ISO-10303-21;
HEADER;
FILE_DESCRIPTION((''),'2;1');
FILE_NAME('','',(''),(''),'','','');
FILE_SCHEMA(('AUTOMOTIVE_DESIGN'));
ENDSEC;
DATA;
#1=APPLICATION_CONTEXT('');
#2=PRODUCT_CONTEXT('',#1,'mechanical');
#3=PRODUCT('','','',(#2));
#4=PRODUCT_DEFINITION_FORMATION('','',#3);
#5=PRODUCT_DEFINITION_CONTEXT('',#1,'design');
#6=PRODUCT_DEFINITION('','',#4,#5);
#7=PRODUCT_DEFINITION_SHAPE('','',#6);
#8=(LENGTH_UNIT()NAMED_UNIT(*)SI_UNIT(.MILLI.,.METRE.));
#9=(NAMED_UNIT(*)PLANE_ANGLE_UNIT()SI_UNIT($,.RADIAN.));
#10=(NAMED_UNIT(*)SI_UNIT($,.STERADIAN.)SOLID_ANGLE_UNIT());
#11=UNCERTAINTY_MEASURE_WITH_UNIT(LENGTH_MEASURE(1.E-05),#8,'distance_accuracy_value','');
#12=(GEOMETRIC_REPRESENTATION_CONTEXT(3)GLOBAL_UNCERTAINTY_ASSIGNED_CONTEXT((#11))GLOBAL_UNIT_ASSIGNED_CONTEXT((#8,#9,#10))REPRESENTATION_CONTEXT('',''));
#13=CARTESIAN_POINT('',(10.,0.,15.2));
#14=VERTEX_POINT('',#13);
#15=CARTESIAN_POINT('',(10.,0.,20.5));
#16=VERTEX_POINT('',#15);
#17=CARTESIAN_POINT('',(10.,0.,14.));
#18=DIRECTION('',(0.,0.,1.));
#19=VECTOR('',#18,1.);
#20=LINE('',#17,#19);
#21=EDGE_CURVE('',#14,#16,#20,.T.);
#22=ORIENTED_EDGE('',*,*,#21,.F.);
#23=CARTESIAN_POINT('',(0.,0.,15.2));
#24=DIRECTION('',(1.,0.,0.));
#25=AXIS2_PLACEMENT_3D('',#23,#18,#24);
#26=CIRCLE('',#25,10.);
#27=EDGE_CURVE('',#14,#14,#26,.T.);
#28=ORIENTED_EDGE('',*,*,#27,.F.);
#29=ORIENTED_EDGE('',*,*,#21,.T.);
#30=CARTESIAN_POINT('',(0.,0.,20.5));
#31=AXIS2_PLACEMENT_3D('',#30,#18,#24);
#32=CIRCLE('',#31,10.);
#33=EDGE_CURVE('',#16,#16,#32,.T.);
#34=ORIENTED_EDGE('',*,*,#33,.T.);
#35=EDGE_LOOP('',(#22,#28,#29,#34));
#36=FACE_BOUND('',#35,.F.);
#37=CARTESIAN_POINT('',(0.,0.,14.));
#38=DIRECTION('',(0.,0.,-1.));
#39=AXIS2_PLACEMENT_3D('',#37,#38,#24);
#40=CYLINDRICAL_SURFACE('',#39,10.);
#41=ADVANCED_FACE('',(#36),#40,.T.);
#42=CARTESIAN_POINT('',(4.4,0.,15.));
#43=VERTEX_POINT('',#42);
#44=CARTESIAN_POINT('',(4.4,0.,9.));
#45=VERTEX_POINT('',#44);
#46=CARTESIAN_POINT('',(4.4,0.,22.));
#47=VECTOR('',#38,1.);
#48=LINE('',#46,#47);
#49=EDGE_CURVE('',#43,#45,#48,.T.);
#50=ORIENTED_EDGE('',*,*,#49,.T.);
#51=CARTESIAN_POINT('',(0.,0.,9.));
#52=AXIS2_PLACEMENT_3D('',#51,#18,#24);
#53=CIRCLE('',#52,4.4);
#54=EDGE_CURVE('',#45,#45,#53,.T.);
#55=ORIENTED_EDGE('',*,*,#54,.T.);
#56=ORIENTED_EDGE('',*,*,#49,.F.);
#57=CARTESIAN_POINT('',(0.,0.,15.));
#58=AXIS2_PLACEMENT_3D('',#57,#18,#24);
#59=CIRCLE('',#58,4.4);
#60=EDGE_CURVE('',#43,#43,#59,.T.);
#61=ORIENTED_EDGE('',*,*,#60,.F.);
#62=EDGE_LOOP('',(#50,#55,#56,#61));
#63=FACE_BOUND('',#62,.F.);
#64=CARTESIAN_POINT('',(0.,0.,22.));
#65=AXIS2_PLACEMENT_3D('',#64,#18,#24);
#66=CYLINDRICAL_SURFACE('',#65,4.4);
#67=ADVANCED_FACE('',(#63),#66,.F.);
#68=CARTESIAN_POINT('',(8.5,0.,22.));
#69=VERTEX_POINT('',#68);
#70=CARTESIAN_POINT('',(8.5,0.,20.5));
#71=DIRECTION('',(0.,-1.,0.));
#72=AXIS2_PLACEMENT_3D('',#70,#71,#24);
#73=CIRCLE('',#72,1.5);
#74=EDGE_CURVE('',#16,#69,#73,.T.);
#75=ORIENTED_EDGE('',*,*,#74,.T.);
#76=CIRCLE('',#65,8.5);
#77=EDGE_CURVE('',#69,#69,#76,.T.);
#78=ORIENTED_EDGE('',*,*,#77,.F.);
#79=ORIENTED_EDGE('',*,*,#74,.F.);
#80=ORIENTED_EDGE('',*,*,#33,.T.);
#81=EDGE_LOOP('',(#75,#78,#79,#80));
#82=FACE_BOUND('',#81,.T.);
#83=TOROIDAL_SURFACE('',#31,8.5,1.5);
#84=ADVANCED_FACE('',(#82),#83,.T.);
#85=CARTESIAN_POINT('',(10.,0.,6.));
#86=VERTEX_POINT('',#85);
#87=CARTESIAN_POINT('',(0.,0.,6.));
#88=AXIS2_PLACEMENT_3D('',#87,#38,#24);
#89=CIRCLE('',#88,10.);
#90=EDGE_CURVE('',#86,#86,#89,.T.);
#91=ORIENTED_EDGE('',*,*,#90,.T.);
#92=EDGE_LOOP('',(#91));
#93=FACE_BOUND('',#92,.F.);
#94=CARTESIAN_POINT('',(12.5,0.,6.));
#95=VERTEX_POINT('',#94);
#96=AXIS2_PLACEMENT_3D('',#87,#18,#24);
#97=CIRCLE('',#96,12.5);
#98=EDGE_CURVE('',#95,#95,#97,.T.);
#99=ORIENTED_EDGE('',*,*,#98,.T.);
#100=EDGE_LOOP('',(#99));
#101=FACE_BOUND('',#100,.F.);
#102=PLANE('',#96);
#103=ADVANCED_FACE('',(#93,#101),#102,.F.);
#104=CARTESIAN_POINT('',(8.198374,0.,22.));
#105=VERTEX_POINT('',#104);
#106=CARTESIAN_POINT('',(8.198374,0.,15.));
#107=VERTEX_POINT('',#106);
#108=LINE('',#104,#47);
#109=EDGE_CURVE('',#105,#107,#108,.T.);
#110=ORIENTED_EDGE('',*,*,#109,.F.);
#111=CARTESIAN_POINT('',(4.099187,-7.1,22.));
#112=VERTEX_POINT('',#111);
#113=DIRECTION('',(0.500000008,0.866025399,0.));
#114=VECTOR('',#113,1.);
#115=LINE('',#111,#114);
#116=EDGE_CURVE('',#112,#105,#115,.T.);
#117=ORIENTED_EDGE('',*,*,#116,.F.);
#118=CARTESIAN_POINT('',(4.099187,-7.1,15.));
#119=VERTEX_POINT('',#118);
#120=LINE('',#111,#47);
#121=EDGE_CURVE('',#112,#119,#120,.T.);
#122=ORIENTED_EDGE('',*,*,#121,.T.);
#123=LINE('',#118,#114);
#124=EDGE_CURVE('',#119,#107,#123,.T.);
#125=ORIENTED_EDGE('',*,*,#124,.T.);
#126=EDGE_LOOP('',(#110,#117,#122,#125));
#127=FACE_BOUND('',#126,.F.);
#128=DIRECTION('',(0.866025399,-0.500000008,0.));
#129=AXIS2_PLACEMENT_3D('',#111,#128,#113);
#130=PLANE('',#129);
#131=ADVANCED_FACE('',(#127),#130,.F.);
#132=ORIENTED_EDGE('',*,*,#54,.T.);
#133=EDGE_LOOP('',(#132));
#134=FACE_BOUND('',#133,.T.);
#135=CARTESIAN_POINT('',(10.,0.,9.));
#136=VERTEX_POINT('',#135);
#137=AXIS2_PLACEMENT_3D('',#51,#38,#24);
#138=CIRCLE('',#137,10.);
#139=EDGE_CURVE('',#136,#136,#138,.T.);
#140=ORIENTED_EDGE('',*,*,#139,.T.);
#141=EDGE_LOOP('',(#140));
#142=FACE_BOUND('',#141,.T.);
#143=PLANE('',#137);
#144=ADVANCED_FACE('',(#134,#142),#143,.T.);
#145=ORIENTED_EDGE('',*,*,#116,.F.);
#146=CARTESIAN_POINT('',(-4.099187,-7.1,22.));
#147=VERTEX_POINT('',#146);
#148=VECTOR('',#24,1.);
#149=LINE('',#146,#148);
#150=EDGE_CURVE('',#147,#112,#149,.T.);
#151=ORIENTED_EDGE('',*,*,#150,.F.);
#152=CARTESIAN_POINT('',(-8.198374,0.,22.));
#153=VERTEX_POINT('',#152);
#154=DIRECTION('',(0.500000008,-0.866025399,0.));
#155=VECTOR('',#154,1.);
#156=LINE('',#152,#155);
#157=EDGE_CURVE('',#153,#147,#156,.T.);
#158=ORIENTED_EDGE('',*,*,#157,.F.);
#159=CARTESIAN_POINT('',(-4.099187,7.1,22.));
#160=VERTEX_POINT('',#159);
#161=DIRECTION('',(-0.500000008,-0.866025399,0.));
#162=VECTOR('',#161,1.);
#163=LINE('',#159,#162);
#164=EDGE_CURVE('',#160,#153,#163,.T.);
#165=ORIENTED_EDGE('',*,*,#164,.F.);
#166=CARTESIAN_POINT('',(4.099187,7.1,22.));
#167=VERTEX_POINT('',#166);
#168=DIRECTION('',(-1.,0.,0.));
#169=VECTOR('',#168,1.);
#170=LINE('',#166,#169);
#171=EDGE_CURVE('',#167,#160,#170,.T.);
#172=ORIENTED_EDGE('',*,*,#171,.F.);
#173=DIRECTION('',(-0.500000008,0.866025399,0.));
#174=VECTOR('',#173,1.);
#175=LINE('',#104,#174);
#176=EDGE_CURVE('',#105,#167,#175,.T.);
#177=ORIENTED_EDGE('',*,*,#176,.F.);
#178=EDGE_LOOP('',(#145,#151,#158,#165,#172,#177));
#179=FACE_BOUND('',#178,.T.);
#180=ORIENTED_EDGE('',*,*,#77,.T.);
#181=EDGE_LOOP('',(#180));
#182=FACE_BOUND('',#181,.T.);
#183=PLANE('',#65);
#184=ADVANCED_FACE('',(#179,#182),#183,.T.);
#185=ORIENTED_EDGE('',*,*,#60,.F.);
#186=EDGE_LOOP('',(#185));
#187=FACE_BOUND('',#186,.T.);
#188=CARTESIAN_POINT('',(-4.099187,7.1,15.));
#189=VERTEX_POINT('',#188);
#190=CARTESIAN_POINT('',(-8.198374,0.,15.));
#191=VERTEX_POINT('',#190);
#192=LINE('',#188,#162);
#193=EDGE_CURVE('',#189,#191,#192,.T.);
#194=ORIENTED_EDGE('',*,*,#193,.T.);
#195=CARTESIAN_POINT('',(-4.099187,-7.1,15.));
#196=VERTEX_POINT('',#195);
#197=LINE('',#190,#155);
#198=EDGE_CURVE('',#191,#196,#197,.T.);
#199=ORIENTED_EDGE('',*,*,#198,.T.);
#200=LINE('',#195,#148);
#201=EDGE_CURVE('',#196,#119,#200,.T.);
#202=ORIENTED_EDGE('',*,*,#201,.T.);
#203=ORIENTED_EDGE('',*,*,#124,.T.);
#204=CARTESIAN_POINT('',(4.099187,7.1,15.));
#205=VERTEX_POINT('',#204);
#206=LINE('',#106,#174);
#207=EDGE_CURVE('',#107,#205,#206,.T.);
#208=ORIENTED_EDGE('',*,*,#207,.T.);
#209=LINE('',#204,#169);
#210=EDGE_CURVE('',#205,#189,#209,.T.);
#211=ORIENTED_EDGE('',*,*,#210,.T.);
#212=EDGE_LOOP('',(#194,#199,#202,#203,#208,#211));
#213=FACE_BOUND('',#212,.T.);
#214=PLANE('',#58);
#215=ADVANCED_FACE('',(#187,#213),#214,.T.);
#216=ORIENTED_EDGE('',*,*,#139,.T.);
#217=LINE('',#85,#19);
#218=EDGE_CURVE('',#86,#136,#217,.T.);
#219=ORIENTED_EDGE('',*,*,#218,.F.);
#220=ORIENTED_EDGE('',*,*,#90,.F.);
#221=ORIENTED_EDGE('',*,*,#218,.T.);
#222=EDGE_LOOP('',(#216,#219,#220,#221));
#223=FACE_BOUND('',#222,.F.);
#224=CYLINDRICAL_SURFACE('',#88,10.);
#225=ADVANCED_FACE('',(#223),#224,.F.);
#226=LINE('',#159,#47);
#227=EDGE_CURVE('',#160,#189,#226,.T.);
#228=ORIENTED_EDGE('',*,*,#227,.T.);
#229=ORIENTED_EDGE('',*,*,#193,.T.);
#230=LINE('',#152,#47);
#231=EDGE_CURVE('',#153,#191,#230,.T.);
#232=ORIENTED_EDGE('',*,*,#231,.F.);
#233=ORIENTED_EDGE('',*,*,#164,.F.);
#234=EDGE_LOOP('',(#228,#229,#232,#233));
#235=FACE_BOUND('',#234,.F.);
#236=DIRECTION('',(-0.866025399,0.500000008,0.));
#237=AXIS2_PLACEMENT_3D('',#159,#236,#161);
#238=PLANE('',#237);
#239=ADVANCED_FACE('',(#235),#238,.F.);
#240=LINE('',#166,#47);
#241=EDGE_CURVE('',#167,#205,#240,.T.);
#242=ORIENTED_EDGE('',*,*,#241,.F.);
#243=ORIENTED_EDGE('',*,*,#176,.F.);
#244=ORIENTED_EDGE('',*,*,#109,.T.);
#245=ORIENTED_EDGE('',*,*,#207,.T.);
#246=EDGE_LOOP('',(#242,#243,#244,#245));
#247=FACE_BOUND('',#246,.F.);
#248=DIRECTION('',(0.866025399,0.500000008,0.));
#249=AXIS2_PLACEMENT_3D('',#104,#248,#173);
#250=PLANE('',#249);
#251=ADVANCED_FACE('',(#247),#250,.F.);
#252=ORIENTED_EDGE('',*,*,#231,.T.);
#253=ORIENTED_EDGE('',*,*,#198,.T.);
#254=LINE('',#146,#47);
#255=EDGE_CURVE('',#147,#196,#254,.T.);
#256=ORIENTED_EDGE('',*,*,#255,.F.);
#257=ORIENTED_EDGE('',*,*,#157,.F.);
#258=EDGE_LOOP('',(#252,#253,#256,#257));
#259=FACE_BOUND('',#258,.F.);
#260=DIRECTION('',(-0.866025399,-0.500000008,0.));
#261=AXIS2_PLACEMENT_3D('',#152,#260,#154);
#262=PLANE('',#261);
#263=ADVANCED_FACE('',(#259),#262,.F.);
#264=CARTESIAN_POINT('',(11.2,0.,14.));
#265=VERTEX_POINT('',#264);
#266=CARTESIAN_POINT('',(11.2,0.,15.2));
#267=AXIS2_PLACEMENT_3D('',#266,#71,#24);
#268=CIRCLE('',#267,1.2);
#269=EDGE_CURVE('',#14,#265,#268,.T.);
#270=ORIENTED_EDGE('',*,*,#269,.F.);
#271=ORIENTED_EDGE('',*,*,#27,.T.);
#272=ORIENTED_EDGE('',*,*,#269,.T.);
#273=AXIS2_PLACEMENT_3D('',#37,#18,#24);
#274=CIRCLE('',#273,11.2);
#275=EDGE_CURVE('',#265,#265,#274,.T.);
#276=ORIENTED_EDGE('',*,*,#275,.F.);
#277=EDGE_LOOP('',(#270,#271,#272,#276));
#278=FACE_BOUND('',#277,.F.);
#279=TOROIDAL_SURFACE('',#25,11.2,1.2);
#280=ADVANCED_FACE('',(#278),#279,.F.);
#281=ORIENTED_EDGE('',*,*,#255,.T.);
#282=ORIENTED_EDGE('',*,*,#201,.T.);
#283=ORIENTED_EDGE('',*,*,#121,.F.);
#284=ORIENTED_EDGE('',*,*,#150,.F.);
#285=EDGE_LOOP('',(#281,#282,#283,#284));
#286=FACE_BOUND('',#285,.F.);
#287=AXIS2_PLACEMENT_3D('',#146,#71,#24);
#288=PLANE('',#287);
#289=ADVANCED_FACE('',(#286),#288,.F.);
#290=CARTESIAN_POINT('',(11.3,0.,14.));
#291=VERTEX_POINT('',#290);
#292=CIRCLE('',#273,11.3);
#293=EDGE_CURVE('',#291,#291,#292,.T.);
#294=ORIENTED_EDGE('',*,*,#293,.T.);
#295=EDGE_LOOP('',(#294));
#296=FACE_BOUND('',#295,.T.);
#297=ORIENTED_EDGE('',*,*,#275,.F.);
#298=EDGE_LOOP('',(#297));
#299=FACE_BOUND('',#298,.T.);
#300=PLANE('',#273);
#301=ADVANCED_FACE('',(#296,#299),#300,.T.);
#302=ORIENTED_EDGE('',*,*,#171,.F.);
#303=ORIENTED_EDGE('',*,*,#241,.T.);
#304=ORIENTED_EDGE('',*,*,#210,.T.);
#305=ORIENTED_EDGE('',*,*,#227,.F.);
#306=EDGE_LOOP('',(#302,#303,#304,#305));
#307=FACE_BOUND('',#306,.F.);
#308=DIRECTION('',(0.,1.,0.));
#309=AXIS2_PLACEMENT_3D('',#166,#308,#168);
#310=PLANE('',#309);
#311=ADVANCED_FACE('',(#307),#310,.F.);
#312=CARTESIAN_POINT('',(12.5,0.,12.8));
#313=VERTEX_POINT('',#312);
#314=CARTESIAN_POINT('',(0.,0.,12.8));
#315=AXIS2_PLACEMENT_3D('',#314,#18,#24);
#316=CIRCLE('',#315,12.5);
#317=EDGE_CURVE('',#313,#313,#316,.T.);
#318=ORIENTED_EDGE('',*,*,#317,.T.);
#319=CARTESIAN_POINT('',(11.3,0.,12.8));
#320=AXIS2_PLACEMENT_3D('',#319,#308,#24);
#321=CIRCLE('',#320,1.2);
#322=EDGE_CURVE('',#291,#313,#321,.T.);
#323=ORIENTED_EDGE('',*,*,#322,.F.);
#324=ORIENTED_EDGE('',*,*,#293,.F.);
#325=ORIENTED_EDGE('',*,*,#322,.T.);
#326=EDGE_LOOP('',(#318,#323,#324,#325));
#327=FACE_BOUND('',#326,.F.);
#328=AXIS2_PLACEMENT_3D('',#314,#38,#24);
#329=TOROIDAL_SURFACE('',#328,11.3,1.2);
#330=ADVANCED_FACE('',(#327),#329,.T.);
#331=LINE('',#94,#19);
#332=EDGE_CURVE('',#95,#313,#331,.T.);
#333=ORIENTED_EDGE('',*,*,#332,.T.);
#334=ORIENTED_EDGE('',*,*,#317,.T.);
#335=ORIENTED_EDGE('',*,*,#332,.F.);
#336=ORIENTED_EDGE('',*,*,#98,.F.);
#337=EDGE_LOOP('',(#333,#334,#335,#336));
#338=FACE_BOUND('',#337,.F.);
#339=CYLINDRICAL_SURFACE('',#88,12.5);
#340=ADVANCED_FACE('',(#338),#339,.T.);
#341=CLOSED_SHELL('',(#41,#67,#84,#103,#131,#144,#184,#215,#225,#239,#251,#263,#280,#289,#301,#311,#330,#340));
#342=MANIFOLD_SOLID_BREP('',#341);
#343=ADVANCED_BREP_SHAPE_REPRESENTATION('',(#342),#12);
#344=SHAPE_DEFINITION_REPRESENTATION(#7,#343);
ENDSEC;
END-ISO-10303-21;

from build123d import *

# Parameters (mm, degrees)
SKETCH004_R     = 12.5
PAD002_DEPTH    = 8
SKETCH005_R     = 10
POCKET002_DEPTH = 3
SKETCH006_R     = 10
PAD003_DEPTH    = 8
SKETCH007_R     = 4.4
POCKET003_DEPTH = 16.001
POCKET004_DEPTH = 7
FILLET002_R     = 1.5
FILLET003_R     = 1.2


with BuildPart() as part:
    # Sketch004 → Pad002 (new body)
    with BuildSketch(Plane.XY.offset(6)):
        Circle(SKETCH004_R)
    extrude(amount=PAD002_DEPTH)

    # Sketch005 → Pocket002 (cut)
    with BuildSketch(Plane(origin=(0, 0, 6), x_dir=(1, 0, 0), z_dir=(0, 0, -1))):
        Circle(SKETCH005_R)
    extrude(amount=-POCKET002_DEPTH, mode=Mode.SUBTRACT)

    # Sketch006 → Pad003 (new body)
    with BuildSketch(Plane.XY.offset(14)):
        Circle(SKETCH006_R)
    extrude(amount=PAD003_DEPTH)

    # Sketch007 → Pocket003 (cut, through all)
    with BuildSketch(Plane.XY.offset(22)):
        Circle(SKETCH007_R)
    extrude(amount=-POCKET003_DEPTH, mode=Mode.SUBTRACT)

    # Sketch008 → Pocket004 (cut)
    with BuildSketch(Plane.XY.offset(22)):
        Polygon((4.099187, -7.1), (8.198374, 0), (4.099187, 7.1), (-4.099187, 7.1), (-8.198374, 0), (-4.099187, -7.1), align=None)
    extrude(amount=-POCKET004_DEPTH, mode=Mode.SUBTRACT)

    # Fillet002
    fillet002_edges = [part.edges().sort_by_distance(p)[0] for p in [
        (-10, 0, 22),
    ]]
    fillet(fillet002_edges, radius=FILLET002_R)

    # Fillet003
    fillet003_edges = [part.edges().sort_by_distance(p)[0] for p in [
        (-12.5, 0, 14),
        (-10, 0, 14),
    ]]
    fillet(fillet003_edges, radius=FILLET003_R)


solid = part.part
